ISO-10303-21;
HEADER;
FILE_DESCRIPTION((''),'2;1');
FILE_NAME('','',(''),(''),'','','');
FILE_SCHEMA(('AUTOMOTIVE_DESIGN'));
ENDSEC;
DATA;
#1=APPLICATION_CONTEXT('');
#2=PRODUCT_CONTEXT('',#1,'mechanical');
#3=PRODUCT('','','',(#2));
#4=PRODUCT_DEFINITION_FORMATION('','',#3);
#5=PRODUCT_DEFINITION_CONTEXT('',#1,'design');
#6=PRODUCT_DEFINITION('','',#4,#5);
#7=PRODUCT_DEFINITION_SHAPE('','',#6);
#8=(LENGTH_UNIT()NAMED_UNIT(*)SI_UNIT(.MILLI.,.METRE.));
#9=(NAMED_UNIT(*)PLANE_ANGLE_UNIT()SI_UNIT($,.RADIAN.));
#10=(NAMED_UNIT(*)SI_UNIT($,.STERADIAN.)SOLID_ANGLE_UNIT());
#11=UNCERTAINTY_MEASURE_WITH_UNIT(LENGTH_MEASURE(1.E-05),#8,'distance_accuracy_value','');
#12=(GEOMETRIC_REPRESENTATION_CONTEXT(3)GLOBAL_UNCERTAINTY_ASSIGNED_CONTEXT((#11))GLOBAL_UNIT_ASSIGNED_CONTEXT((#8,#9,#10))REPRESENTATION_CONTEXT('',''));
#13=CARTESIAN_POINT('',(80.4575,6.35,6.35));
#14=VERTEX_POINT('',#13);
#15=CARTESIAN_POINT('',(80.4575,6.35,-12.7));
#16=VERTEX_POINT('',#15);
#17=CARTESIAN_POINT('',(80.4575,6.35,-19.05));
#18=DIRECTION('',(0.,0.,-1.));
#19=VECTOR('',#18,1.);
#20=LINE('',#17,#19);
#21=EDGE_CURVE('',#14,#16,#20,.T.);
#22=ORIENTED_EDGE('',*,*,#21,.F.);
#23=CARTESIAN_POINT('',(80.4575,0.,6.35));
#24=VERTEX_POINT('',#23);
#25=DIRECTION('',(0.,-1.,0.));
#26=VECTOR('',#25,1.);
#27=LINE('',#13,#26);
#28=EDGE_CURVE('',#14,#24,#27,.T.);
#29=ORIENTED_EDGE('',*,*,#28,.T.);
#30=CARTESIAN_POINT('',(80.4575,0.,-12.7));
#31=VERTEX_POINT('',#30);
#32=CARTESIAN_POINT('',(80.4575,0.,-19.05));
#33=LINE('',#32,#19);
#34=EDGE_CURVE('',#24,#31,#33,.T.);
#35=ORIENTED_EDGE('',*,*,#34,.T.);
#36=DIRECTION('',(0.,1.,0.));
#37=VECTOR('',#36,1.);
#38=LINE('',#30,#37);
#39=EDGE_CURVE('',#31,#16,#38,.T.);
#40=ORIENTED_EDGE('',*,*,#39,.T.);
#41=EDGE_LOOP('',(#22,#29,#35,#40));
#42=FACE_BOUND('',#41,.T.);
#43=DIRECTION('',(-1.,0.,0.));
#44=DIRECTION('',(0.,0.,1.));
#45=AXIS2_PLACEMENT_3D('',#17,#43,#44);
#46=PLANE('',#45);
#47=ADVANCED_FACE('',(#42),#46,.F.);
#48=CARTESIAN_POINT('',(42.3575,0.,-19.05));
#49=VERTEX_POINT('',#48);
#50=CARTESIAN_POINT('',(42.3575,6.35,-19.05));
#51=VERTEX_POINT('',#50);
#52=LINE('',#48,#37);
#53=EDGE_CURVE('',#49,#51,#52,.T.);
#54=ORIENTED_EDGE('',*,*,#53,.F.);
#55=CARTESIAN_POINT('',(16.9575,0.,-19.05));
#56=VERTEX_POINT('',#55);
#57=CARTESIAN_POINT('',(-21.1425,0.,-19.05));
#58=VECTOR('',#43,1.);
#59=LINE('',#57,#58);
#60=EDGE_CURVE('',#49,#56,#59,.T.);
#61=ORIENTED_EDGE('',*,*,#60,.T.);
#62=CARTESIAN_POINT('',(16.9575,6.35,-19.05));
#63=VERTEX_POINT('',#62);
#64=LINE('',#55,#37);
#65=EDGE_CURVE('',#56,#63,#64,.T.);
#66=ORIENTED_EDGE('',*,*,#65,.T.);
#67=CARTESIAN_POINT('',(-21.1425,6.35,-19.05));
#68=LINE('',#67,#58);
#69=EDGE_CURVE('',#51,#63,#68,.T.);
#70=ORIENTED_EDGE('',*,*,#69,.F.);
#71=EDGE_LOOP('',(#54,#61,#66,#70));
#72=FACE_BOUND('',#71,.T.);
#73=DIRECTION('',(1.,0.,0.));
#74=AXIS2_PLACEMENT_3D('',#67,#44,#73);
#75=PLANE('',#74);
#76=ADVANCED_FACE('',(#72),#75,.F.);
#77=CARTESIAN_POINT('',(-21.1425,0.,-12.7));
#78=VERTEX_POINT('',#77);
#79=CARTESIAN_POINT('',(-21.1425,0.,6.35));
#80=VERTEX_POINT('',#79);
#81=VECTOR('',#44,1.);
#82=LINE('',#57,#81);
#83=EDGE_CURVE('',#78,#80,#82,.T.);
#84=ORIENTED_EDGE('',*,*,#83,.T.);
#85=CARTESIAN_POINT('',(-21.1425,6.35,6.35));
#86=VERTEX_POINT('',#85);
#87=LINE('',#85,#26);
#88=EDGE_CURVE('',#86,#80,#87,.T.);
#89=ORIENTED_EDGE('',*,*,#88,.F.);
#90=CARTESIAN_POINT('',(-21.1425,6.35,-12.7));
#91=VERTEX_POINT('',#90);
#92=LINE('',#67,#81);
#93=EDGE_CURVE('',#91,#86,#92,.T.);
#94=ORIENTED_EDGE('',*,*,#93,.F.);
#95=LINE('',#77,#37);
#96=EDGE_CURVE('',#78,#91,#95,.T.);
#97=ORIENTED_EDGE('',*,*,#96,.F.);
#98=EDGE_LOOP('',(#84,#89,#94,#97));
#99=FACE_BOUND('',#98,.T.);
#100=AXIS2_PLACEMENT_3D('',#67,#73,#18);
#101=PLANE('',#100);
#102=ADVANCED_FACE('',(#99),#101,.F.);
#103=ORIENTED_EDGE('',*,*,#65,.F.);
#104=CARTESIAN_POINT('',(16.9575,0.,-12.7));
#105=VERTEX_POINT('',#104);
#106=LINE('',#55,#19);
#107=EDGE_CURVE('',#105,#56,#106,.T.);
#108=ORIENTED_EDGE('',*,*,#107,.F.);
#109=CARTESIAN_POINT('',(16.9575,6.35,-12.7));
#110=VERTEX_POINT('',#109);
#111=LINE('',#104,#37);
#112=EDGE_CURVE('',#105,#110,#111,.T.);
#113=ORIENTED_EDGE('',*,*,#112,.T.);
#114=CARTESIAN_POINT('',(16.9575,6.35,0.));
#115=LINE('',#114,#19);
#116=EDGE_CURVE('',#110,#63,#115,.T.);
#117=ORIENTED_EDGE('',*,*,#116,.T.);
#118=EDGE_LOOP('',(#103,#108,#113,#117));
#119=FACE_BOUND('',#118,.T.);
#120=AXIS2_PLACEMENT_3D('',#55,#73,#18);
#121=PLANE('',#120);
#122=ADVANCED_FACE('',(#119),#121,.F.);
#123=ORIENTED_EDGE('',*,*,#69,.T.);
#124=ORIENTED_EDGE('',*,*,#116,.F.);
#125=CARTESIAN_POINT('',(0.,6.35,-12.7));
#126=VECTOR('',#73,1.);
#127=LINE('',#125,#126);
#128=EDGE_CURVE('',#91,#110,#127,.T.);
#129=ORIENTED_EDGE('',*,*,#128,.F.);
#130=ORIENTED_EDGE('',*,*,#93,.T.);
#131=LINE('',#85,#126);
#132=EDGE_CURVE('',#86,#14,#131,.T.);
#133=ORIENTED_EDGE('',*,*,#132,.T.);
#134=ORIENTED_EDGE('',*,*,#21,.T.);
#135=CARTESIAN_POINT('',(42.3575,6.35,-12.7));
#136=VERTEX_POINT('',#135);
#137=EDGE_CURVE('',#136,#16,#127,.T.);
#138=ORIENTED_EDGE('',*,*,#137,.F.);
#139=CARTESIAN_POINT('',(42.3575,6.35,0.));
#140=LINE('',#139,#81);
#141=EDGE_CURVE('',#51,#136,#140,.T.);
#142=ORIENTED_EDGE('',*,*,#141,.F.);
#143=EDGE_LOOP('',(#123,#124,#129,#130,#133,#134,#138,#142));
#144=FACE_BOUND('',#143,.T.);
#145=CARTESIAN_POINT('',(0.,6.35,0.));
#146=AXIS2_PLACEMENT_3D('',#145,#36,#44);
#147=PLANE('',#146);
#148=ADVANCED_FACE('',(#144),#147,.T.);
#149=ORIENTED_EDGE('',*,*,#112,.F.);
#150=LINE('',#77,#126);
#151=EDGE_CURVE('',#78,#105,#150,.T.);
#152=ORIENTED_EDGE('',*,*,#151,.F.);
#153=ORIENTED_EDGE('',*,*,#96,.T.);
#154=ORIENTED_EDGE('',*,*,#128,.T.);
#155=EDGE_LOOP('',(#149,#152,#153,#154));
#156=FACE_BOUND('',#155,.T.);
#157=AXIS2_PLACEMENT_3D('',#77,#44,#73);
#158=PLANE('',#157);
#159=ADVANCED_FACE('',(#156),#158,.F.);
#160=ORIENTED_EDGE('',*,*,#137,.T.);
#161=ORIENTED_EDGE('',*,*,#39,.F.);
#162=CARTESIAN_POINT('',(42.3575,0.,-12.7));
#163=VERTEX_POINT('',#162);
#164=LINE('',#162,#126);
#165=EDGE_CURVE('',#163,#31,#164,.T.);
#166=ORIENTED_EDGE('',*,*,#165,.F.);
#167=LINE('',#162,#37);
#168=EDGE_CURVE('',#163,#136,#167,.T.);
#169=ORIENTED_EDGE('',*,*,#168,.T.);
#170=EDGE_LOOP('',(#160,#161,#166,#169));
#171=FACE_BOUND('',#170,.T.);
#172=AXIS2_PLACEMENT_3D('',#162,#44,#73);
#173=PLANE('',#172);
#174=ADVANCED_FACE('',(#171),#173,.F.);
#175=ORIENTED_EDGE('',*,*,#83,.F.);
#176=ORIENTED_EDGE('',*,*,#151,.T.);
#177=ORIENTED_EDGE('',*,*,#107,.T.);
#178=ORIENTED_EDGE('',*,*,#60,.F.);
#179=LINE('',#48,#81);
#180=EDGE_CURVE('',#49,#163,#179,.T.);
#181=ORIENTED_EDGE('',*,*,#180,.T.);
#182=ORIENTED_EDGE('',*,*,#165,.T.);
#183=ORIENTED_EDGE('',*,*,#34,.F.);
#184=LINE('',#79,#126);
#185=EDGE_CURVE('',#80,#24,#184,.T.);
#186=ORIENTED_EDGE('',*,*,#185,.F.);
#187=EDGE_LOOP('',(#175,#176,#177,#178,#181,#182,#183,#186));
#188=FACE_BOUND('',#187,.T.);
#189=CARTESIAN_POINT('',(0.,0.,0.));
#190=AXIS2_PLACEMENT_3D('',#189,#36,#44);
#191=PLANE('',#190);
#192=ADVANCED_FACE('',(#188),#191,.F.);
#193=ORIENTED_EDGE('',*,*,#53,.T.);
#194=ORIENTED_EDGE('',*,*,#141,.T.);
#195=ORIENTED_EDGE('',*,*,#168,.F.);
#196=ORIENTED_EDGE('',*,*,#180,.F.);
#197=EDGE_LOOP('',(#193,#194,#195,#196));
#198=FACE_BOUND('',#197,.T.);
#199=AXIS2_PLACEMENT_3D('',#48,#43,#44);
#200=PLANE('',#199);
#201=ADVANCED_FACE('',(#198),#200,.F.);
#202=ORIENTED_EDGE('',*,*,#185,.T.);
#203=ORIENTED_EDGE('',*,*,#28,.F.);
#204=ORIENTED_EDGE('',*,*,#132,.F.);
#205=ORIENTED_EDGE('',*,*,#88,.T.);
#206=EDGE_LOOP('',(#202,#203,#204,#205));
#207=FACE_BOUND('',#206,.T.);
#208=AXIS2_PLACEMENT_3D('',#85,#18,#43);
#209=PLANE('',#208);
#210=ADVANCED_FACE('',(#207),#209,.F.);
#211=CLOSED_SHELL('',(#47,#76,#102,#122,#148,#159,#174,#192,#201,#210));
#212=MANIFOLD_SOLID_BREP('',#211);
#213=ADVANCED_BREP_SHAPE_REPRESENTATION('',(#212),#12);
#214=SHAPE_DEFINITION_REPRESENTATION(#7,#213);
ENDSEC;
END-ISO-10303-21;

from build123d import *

# Parameters (mm, degrees)
SKETCH1_W               = 101.6
SKETCH1_H               = 25.4
BOSS_EXTRUDE1_DEPTH     = 6.35
SKETCH2_W               = 38.1
SKETCH2_H               = 6.35
CUT_EXTRUDE1_DEPTH      = 1
CUT_EXTRUDE1_DEPTH_BACK = 7.35


with BuildPart() as part:
    # Sketch1 → Boss-Extrude1 (new body)
    with BuildSketch(Plane(origin=(0, 0, 0), x_dir=(1, 0, 0), z_dir=(0, 1, 0))):
        with Locations((29.657499604, 6.35)):
            Rectangle(SKETCH1_W, SKETCH1_H)
    extrude(amount=BOSS_EXTRUDE1_DEPTH)

    # Sketch2 → Cut-Extrude1 (cut, two sides)
    with BuildSketch(Plane(origin=(0, 6.35, 0), x_dir=(1, 0, 0), z_dir=(0, 1, 0))) as cut_extrude1_sk:
        with Locations((-2.092500396, 15.875)):
            Rectangle(SKETCH2_W, SKETCH2_H)
        with Locations((61.407499604, 15.875)):
            Rectangle(SKETCH2_W, SKETCH2_H)
    extrude(amount=CUT_EXTRUDE1_DEPTH, mode=Mode.SUBTRACT)
    extrude(cut_extrude1_sk.sketch, amount=-CUT_EXTRUDE1_DEPTH_BACK, mode=Mode.SUBTRACT)


solid = part.part
